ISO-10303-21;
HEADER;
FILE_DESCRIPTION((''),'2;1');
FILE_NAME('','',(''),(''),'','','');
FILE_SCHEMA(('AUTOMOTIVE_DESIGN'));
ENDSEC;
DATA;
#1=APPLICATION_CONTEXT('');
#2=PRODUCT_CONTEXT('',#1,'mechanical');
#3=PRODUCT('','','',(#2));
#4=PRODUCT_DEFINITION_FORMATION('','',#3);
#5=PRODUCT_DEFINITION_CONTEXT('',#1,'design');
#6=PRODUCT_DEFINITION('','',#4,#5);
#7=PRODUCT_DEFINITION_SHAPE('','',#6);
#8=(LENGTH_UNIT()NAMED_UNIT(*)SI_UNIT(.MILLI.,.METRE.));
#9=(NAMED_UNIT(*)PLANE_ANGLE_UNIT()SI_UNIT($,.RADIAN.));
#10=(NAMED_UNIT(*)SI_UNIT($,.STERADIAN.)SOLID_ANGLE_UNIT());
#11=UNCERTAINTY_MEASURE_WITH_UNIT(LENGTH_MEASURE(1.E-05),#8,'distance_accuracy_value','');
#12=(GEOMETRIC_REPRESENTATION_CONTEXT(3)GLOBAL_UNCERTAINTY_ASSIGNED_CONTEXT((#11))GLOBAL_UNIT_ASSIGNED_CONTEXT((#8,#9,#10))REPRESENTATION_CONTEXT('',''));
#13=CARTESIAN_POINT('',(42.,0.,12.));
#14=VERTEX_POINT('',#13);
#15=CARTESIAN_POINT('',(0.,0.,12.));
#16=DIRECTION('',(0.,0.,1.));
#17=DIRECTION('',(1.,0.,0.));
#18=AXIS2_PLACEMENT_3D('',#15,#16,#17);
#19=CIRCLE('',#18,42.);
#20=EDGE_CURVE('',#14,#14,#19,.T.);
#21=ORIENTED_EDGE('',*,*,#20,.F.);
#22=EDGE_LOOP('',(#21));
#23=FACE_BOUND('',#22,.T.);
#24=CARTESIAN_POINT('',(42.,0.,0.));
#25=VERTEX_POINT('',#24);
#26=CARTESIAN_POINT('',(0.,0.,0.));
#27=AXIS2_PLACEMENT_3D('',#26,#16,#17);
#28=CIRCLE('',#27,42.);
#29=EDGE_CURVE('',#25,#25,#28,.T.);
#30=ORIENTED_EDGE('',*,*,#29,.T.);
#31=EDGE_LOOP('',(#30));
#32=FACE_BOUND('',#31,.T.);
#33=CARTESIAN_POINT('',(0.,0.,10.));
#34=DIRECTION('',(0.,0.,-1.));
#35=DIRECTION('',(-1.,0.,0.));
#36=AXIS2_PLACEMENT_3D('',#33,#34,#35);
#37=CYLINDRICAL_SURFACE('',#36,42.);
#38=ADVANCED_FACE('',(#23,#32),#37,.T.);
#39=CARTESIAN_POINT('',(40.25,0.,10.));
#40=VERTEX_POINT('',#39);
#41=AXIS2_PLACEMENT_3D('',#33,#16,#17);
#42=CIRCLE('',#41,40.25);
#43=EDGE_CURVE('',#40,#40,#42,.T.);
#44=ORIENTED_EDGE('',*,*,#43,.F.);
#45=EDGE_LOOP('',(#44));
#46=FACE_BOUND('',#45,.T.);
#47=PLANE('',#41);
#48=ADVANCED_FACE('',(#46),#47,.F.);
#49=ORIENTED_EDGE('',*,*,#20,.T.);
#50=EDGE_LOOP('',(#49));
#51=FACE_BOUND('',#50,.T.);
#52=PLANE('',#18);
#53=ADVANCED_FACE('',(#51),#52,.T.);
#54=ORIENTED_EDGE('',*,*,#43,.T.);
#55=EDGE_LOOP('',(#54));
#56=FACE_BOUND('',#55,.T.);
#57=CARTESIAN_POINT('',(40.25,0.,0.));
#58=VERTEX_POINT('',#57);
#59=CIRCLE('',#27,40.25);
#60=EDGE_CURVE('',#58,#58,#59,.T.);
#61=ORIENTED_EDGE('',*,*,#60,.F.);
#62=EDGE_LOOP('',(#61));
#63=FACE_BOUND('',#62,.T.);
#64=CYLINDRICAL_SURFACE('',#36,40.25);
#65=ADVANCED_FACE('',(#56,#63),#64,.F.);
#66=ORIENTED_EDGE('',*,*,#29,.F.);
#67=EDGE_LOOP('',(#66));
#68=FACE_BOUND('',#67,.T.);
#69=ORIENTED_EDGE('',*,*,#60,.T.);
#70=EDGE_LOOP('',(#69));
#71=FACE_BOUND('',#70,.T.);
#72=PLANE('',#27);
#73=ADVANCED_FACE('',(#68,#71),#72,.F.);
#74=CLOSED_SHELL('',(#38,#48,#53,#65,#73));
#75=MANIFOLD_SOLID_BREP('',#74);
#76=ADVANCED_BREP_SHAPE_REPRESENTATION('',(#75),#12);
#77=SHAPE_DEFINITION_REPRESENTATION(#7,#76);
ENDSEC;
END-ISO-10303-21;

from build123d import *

# Parameters (mm, degrees)
SKETCH1_R           = 42
SKETCH1_R_2         = 40.25
BOSS_EXTRUDE1_DEPTH = 10
SKETCH2_R           = 42
BOSS_EXTRUDE2_DEPTH = 2


with BuildPart() as part:
    # Sketch1 → Boss-Extrude1 (new body)
    with BuildSketch(Plane.XY):
        Circle(SKETCH1_R)
        Circle(SKETCH1_R_2, mode=Mode.SUBTRACT)
    extrude(amount=BOSS_EXTRUDE1_DEPTH)

    # Sketch2 → Boss-Extrude2 (add)
    with BuildSketch(Plane.XY.offset(10)):
        Circle(SKETCH2_R)
    extrude(amount=BOSS_EXTRUDE2_DEPTH)


solid = part.part
